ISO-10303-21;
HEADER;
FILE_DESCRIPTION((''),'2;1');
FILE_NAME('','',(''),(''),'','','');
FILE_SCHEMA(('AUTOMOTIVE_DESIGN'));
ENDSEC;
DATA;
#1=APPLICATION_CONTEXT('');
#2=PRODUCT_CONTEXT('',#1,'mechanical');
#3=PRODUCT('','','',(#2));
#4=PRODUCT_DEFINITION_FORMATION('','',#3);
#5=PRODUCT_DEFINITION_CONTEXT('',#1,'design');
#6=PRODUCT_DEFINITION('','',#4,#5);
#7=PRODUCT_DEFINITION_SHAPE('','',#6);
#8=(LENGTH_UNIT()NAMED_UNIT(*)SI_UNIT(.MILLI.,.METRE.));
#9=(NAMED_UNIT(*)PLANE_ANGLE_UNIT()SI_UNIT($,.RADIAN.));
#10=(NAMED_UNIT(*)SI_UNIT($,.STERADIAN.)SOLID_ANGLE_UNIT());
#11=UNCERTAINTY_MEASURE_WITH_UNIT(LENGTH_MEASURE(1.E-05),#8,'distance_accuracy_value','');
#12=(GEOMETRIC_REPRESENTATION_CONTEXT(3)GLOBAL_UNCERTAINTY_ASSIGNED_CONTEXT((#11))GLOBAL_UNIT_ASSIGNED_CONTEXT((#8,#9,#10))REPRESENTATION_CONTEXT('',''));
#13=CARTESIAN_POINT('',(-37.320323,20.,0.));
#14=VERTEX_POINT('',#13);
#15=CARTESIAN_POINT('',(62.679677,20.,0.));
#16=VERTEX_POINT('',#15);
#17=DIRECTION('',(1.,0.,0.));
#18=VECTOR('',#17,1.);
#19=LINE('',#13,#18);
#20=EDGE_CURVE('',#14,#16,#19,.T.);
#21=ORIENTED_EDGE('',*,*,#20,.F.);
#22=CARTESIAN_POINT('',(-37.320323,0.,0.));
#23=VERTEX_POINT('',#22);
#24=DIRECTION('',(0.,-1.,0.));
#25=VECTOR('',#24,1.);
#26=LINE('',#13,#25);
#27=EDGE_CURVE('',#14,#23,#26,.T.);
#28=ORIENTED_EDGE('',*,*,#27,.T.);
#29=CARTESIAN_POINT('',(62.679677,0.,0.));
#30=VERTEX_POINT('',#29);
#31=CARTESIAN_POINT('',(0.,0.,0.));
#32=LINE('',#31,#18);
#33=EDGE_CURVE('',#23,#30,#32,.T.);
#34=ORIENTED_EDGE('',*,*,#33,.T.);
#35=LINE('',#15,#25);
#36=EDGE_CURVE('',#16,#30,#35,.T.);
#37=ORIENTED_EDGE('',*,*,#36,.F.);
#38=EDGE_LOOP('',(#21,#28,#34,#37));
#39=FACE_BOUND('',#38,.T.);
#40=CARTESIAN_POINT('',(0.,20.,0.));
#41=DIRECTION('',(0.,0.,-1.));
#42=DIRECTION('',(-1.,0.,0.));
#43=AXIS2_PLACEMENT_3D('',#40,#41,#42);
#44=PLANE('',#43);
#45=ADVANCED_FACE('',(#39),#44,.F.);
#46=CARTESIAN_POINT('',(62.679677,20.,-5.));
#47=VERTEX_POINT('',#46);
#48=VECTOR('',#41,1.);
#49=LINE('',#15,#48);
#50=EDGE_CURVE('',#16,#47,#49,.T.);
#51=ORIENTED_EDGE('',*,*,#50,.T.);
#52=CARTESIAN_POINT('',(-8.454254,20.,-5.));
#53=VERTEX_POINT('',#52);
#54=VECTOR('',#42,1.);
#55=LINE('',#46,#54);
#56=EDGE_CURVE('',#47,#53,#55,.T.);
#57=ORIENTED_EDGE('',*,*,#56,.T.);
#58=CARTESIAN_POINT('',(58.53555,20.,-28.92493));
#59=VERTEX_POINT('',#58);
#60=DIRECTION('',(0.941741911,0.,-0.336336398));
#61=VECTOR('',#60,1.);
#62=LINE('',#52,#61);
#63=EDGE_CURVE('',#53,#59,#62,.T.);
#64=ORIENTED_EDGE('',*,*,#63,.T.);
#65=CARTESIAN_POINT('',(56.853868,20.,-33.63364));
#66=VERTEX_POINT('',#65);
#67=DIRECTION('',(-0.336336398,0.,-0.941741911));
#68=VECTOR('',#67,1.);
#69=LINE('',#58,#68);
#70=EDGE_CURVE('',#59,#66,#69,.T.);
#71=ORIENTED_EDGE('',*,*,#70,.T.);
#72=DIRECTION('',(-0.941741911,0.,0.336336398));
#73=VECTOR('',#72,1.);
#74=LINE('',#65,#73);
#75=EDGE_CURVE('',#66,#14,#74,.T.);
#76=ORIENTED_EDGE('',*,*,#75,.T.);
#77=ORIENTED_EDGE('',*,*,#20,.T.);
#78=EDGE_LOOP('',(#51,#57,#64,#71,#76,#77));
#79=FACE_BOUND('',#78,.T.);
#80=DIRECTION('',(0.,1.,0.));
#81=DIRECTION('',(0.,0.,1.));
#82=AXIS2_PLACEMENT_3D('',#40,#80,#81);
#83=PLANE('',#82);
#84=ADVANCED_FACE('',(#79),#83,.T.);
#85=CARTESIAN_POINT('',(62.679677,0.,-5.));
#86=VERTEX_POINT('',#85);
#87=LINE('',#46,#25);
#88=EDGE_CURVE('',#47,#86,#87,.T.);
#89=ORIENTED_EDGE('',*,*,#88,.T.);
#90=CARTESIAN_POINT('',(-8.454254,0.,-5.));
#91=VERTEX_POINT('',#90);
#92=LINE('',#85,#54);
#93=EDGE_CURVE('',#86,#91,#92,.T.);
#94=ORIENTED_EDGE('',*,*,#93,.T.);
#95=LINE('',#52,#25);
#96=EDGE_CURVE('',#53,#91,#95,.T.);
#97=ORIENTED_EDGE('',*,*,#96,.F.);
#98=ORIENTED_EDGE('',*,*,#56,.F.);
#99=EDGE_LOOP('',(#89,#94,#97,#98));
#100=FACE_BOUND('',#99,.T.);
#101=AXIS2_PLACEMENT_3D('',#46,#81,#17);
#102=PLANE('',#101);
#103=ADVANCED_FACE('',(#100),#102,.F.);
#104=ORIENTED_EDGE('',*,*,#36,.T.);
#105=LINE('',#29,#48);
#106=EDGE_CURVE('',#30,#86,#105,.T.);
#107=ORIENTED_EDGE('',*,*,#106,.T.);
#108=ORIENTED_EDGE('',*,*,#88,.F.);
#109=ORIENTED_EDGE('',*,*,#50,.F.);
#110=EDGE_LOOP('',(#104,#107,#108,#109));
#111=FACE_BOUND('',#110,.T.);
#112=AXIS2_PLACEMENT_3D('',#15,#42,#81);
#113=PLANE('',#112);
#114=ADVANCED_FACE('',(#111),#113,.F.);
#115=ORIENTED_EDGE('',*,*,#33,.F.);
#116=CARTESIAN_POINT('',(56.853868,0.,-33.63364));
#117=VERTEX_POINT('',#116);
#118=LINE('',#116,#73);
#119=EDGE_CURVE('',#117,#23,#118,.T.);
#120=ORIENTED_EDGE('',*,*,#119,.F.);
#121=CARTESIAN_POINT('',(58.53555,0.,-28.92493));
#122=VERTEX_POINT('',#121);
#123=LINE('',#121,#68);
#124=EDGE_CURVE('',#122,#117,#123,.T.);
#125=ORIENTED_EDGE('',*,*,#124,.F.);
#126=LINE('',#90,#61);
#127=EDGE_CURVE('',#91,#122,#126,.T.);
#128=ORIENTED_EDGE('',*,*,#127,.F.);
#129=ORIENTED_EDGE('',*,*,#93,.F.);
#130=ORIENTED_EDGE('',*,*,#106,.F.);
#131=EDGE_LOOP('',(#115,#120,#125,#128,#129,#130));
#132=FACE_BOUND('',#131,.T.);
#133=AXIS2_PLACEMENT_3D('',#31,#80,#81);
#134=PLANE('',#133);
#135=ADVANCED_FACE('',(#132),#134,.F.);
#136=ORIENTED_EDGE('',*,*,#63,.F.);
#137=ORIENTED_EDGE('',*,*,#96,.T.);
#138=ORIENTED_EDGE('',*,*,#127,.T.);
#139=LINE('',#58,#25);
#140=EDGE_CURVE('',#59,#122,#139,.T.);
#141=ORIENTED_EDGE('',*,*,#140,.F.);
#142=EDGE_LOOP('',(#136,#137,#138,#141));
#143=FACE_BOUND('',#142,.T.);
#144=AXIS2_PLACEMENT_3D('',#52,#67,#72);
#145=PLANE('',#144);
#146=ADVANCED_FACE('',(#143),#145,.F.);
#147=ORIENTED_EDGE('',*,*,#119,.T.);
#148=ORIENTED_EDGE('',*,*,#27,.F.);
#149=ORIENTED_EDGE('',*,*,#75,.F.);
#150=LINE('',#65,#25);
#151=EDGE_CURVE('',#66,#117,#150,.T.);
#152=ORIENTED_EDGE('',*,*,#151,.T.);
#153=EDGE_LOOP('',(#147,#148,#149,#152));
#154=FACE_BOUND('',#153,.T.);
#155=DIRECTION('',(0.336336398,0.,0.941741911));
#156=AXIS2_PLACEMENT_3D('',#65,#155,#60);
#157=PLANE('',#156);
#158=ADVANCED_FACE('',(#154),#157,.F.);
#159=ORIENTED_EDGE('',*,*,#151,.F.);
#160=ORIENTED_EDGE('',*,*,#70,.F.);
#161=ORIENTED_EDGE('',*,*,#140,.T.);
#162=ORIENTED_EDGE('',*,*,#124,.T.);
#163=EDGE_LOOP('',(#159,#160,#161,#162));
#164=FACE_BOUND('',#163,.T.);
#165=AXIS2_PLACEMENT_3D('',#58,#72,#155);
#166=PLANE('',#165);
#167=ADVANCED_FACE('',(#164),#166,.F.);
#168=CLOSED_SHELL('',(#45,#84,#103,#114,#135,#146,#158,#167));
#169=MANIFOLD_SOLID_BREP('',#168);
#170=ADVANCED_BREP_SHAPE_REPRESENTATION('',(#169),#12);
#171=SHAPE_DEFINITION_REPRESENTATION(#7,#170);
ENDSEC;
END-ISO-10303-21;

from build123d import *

# Parameters (mm, degrees)
BOSS_EXTRUDE1_DEPTH = 20


with BuildPart() as part:
    # Sketch1 → Boss-Extrude1 (new body)
    with BuildSketch(Plane(origin=(0, 0, 0), x_dir=(1, 0, 0), z_dir=(0, 1, 0))):
        Polygon((0, 0), (62.679677005, 0), (62.679677005, 5), (-8.454254311, 5), (58.535550128, 28.924930212), (56.85386814, 33.633639769), (-37.320322995, 0), align=None)
    extrude(amount=BOSS_EXTRUDE1_DEPTH)


solid = part.part
